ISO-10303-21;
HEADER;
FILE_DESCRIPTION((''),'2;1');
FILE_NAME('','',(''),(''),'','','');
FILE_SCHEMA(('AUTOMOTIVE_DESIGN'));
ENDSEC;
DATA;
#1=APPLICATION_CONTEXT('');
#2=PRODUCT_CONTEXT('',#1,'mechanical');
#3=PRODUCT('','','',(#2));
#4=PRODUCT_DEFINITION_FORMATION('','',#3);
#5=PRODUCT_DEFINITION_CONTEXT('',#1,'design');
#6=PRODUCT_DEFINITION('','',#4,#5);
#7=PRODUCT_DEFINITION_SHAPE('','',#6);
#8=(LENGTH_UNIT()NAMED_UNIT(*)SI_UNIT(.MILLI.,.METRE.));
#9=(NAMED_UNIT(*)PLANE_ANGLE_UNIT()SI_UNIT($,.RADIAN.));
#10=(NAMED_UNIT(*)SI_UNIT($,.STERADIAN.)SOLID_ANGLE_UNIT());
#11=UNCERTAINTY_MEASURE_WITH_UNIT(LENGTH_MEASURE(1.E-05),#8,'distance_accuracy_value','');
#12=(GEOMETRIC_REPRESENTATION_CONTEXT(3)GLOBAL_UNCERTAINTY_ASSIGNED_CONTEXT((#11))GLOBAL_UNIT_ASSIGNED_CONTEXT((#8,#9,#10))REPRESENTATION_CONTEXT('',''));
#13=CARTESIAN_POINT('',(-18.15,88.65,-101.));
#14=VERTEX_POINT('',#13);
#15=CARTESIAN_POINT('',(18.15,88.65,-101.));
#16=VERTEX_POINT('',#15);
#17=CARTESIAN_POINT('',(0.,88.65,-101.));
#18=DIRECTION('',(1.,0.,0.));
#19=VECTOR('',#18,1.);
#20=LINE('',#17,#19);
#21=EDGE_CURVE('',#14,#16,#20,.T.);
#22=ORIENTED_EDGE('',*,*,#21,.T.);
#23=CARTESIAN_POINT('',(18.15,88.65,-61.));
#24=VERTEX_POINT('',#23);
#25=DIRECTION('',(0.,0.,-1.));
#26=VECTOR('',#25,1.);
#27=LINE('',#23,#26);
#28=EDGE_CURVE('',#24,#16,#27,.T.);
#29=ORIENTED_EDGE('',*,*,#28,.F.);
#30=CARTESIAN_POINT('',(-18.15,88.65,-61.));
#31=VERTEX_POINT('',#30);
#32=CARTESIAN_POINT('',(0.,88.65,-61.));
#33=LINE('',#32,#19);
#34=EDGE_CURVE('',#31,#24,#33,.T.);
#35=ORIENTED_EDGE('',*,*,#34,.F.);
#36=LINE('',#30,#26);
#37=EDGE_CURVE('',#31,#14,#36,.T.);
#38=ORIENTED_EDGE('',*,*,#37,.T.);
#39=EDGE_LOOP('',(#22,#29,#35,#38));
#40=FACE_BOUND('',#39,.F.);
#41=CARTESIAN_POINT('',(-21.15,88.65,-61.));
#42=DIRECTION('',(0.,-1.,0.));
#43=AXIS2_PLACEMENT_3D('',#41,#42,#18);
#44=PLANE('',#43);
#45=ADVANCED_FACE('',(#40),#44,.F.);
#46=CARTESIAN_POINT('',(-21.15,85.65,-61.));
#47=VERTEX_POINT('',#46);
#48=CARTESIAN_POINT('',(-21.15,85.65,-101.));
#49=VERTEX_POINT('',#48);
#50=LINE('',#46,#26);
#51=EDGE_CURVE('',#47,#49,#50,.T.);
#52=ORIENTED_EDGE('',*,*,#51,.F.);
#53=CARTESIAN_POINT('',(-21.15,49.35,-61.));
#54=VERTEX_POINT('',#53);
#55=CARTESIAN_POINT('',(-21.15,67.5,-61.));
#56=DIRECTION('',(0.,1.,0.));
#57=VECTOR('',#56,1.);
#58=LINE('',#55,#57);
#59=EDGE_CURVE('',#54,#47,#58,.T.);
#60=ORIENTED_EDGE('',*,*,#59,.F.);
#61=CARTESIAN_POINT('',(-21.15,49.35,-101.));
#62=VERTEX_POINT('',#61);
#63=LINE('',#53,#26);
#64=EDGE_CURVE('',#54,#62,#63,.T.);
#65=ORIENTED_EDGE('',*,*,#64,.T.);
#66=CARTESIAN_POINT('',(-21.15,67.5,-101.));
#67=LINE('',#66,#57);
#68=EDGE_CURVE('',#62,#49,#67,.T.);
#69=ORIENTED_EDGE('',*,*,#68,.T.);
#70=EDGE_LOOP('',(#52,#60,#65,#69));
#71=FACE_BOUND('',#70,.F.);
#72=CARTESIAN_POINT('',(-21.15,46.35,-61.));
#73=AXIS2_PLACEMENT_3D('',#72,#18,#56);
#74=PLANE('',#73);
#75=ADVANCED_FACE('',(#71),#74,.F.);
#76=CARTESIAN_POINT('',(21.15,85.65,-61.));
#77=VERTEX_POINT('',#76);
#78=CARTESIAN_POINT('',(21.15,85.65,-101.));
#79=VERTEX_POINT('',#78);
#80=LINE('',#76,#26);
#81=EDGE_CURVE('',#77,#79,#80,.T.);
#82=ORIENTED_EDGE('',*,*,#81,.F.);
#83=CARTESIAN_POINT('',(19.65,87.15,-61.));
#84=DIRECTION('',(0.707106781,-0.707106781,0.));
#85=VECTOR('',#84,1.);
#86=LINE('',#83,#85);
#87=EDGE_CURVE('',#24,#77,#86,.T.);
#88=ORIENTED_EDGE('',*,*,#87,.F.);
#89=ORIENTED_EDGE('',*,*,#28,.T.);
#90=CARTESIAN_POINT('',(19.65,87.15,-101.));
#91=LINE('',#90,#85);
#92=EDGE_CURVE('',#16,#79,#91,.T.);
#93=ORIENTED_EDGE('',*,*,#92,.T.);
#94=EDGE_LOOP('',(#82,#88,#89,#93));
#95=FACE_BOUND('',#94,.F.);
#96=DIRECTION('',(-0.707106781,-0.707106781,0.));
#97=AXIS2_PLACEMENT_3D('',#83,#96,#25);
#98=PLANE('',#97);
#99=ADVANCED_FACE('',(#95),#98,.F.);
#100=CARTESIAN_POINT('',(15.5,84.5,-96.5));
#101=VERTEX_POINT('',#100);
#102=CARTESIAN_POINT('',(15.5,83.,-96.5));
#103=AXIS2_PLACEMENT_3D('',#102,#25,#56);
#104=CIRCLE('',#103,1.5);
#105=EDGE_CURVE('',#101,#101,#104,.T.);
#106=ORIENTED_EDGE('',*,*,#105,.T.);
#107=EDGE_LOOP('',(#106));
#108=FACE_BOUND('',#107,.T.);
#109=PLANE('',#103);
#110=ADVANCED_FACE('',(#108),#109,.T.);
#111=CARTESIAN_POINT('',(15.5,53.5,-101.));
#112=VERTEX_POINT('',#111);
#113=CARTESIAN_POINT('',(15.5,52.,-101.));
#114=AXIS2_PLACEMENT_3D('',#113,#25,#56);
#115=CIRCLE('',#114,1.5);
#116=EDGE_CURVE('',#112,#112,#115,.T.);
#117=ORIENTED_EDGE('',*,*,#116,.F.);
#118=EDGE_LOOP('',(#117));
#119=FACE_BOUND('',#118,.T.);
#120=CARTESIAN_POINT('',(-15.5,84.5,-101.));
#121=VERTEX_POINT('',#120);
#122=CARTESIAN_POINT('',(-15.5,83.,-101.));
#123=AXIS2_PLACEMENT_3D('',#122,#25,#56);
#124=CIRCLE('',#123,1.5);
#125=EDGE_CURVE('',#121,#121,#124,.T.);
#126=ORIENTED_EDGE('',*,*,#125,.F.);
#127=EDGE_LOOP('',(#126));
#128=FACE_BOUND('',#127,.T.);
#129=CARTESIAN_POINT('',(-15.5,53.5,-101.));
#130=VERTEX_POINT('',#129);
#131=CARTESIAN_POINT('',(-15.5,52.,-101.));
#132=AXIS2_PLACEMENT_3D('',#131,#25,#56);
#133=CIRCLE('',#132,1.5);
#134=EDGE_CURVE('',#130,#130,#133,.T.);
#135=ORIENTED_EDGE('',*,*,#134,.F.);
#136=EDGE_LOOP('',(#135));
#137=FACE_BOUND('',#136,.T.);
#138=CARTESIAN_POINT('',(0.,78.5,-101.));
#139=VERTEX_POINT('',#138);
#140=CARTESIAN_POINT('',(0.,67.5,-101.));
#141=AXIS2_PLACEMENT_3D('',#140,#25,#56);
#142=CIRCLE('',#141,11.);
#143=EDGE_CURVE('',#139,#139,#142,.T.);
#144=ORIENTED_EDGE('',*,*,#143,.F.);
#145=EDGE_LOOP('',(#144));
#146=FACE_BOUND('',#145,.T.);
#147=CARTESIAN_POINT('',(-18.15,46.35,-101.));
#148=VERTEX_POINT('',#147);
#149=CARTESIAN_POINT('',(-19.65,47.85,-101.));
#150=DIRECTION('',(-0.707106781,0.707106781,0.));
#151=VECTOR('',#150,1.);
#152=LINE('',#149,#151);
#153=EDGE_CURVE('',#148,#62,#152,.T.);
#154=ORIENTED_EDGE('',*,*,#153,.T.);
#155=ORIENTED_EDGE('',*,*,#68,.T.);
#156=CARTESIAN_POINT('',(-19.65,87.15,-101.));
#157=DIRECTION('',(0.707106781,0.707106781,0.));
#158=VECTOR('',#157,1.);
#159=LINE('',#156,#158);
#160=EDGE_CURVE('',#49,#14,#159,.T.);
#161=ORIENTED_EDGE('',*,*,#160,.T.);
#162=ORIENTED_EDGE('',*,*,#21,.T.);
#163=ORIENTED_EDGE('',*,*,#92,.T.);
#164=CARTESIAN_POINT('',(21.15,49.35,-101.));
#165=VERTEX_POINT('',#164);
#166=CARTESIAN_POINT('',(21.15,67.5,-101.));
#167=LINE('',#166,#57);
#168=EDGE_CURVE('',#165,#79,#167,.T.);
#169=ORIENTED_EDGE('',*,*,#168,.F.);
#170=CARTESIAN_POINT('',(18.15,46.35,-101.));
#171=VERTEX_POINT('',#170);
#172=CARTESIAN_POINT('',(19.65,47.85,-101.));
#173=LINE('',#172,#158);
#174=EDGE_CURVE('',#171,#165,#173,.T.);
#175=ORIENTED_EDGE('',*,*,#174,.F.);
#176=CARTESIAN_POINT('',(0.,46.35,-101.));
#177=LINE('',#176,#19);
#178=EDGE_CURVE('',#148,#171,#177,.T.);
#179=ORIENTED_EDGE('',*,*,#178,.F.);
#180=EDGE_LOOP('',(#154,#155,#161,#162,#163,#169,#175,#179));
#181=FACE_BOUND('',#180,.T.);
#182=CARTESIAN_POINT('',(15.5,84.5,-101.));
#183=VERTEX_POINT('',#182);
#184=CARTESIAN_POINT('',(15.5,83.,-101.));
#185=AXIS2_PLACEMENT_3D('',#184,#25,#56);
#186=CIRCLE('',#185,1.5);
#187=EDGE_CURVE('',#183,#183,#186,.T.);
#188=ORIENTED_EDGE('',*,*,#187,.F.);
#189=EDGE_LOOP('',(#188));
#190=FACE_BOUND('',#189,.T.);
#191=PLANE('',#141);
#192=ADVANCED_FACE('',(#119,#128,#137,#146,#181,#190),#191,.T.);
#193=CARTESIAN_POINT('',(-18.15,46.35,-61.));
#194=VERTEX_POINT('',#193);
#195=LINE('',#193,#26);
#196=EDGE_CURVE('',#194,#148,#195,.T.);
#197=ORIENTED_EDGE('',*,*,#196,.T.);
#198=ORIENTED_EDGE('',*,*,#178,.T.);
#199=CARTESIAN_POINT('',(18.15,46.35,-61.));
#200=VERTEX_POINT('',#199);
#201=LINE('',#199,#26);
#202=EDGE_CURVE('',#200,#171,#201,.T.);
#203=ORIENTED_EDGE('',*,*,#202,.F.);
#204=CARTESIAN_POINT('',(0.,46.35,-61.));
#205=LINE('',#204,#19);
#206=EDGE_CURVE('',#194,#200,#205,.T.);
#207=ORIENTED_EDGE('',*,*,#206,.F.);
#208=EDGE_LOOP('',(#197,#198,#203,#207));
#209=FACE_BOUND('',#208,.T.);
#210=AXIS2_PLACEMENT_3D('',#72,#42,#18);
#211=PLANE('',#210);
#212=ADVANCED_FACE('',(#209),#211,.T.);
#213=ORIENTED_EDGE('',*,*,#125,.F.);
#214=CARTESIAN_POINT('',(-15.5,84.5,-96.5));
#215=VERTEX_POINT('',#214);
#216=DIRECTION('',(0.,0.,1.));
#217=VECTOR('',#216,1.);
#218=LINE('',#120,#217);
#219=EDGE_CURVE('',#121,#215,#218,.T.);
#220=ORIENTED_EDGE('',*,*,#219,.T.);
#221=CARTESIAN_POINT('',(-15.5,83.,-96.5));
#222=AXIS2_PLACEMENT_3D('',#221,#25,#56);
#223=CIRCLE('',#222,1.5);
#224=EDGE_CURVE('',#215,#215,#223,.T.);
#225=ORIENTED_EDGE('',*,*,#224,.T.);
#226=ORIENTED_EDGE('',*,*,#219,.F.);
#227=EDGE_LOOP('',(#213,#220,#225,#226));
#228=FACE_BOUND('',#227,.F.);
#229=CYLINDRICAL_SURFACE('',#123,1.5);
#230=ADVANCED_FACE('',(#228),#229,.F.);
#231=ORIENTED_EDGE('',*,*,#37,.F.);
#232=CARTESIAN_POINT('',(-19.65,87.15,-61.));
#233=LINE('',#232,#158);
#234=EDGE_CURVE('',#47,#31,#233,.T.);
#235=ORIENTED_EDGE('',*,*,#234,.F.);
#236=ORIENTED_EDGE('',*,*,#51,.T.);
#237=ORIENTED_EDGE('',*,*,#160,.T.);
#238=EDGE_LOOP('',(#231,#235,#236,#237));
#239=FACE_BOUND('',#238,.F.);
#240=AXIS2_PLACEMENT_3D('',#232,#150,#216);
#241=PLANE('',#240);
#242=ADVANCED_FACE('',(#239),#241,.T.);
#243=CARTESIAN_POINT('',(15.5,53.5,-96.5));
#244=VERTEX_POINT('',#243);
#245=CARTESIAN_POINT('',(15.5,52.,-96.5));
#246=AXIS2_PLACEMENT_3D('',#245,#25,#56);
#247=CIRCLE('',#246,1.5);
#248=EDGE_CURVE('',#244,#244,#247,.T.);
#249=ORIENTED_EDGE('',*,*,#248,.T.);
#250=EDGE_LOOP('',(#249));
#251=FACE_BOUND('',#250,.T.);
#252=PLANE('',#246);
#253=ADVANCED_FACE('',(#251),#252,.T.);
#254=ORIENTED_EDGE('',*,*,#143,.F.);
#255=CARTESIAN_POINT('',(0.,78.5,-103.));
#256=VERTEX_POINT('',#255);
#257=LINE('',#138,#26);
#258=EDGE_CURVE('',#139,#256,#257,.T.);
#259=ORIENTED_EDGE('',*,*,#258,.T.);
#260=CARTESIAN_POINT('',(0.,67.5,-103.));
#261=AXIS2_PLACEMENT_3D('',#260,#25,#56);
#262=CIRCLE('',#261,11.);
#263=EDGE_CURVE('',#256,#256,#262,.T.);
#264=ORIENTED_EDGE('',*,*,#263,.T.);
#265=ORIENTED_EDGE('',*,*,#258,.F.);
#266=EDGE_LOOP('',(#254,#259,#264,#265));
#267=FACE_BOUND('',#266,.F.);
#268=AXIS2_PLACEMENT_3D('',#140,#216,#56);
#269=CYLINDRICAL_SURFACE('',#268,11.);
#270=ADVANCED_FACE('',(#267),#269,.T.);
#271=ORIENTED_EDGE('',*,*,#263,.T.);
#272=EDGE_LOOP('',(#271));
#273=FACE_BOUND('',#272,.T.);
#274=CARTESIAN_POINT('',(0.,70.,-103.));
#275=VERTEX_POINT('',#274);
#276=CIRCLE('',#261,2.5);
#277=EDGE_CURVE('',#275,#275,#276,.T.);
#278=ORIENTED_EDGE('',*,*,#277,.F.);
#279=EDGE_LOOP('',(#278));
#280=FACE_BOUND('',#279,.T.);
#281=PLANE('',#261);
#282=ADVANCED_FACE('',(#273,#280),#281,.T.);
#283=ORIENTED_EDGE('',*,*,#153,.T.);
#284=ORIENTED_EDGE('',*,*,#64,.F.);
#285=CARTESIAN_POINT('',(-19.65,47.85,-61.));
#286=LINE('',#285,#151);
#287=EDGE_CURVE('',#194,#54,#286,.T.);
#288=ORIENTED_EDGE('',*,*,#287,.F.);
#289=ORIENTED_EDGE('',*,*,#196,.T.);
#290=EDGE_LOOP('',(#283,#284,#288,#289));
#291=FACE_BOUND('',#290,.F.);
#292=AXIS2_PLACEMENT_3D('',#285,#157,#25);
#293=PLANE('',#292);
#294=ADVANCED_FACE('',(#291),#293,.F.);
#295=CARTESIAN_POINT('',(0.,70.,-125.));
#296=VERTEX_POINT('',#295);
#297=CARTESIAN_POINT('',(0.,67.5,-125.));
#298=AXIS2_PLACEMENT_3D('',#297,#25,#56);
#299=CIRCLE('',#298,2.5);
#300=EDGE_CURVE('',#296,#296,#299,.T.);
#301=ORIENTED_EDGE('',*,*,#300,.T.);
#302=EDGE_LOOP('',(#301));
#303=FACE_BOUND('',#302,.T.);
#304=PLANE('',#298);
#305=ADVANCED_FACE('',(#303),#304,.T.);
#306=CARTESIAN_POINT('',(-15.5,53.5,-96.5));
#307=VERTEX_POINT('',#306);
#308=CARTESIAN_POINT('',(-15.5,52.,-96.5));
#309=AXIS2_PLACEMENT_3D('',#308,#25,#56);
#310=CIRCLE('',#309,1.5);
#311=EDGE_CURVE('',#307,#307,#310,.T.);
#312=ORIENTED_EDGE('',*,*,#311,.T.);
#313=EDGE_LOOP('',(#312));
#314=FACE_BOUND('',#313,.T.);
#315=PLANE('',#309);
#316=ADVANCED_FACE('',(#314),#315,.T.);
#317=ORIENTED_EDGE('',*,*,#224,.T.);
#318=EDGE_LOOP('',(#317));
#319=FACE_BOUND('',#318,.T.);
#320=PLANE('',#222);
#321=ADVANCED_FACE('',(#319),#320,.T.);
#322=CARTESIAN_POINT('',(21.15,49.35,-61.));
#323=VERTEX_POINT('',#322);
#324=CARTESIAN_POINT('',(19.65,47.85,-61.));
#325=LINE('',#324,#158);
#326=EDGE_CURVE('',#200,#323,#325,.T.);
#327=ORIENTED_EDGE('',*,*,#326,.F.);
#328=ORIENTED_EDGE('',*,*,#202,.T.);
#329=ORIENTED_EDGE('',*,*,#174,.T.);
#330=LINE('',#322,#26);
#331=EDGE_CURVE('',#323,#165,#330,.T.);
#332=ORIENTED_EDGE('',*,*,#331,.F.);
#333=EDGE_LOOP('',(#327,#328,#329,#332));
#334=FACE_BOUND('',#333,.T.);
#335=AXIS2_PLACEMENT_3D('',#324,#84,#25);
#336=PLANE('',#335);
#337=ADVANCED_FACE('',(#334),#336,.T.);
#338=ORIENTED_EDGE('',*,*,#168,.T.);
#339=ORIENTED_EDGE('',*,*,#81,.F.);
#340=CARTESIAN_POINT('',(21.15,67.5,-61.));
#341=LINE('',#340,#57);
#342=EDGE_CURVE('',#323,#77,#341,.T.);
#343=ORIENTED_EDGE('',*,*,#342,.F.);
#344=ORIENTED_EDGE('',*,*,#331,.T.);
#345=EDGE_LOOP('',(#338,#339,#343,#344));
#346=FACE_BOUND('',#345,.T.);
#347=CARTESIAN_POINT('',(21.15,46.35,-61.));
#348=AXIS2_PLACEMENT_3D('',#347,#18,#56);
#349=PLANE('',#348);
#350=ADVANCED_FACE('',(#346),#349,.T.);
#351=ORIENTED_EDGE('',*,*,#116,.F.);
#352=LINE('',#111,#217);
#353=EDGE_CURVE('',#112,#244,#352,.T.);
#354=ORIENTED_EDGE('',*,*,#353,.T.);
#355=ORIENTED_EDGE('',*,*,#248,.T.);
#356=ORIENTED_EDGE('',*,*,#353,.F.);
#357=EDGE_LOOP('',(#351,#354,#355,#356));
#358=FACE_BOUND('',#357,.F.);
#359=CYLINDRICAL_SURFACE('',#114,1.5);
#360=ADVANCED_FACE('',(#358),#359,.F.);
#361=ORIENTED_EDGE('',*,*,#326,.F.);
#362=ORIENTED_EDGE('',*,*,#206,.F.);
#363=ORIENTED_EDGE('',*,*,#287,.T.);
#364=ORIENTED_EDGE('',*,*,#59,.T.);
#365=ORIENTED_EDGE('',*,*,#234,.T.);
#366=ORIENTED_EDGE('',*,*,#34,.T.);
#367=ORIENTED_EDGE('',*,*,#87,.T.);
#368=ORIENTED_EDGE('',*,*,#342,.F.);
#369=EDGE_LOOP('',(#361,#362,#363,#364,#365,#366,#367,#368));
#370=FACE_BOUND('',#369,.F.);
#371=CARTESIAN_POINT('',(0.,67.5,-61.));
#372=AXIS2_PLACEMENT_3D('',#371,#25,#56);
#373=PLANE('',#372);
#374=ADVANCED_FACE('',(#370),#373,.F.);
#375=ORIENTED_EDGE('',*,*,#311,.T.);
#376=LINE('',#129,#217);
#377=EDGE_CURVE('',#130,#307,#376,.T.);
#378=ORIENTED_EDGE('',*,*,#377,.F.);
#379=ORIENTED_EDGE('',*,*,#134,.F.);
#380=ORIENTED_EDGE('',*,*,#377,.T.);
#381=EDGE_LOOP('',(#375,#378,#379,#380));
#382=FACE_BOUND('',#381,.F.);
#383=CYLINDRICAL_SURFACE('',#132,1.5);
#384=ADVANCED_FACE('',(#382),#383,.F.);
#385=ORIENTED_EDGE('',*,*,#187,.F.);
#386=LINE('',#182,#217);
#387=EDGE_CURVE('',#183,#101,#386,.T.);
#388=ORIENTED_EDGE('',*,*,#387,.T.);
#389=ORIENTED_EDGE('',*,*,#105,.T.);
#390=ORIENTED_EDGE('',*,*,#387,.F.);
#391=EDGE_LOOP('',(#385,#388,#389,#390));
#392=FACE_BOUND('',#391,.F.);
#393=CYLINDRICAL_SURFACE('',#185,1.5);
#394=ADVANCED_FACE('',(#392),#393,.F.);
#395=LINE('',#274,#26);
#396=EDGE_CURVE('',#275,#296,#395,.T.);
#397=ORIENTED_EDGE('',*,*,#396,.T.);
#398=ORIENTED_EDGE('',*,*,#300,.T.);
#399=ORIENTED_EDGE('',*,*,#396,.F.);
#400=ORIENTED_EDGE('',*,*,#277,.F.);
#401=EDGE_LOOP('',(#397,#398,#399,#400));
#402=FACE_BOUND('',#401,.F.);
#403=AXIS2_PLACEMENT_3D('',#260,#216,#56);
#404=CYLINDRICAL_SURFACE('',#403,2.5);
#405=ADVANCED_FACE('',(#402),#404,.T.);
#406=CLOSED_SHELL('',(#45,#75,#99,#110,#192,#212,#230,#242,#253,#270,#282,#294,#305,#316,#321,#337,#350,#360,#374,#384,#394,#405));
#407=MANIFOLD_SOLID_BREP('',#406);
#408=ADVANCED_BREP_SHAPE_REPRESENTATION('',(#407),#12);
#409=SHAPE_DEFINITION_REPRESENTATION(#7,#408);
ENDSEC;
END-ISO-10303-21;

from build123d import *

# Parameters (mm, degrees)
SKETCH074_W             = 42.3
SKETCH074_H             = 42.3
PAD032_DEPTH            = 40
CHAMFER010_SIZE         = 3
SKETCH075_R             = 1.5
POCKET011_DEPTH         = 4.5
SKETCH076_R             = 11
PAD033_DEPTH            = 2
SKETCH077_R             = 2.5
PAD034_DEPTH            = 22
BODY017_ROLL_ANGLE      = 180
BODY017_PLACEMENT_ANGLE = 90


with BuildPart() as part:
    # Sketch074 → Pad032 (new body)
    with BuildSketch(Plane.XY):
        Rectangle(SKETCH074_W, SKETCH074_H)
    extrude(amount=PAD032_DEPTH)

    # Chamfer010
    chamfer010_edges = [part.edges().sort_by_distance(p)[0] for p in [
        (-21.15, -21.15, 20),
        (21.15, -21.15, 20),
        (21.15, 21.15, 20),
        (-21.15, 21.15, 20),
    ]]
    chamfer(chamfer010_edges, length=CHAMFER010_SIZE)

    # Sketch075 (on Face5 of Chamfer010) → Pocket011 (cut)
    with BuildSketch(Plane.XY.offset(40)):
        with Locations((15.5, -15.5)):
            Circle(SKETCH075_R)
        with Locations((-15.5, -15.5)):
            Circle(SKETCH075_R)
        with Locations((-15.5, 15.5)):
            Circle(SKETCH075_R)
        with Locations((15.5, 15.5)):
            Circle(SKETCH075_R)
    extrude(amount=-POCKET011_DEPTH, mode=Mode.SUBTRACT)

    # Sketch076 (on Face5 of Pocket011) → Pad033 (join)
    with BuildSketch(Plane.XY.offset(40)):
        Circle(SKETCH076_R)
    extrude(amount=PAD033_DEPTH)

    # Sketch077 (on Face19 of Pad033) → Pad034 (join)
    with BuildSketch(Plane.XY.offset(42)):
        Circle(SKETCH077_R)
    extrude(amount=PAD034_DEPTH)


with BuildPart() as part_1:
    # Body017 roll: moved
    add(part.part.rotate(Axis((0, 0, 0), (1, 0, 0)), BODY017_ROLL_ANGLE))


with BuildPart() as part_2:
    # Body017 placement: moved
    add(part_1.part.moved(Location((0, 67.5, -61))).rotate(Axis((0, 67.5, -61), (0, 0, 1)), BODY017_PLACEMENT_ANGLE))


solid = part_2.part
